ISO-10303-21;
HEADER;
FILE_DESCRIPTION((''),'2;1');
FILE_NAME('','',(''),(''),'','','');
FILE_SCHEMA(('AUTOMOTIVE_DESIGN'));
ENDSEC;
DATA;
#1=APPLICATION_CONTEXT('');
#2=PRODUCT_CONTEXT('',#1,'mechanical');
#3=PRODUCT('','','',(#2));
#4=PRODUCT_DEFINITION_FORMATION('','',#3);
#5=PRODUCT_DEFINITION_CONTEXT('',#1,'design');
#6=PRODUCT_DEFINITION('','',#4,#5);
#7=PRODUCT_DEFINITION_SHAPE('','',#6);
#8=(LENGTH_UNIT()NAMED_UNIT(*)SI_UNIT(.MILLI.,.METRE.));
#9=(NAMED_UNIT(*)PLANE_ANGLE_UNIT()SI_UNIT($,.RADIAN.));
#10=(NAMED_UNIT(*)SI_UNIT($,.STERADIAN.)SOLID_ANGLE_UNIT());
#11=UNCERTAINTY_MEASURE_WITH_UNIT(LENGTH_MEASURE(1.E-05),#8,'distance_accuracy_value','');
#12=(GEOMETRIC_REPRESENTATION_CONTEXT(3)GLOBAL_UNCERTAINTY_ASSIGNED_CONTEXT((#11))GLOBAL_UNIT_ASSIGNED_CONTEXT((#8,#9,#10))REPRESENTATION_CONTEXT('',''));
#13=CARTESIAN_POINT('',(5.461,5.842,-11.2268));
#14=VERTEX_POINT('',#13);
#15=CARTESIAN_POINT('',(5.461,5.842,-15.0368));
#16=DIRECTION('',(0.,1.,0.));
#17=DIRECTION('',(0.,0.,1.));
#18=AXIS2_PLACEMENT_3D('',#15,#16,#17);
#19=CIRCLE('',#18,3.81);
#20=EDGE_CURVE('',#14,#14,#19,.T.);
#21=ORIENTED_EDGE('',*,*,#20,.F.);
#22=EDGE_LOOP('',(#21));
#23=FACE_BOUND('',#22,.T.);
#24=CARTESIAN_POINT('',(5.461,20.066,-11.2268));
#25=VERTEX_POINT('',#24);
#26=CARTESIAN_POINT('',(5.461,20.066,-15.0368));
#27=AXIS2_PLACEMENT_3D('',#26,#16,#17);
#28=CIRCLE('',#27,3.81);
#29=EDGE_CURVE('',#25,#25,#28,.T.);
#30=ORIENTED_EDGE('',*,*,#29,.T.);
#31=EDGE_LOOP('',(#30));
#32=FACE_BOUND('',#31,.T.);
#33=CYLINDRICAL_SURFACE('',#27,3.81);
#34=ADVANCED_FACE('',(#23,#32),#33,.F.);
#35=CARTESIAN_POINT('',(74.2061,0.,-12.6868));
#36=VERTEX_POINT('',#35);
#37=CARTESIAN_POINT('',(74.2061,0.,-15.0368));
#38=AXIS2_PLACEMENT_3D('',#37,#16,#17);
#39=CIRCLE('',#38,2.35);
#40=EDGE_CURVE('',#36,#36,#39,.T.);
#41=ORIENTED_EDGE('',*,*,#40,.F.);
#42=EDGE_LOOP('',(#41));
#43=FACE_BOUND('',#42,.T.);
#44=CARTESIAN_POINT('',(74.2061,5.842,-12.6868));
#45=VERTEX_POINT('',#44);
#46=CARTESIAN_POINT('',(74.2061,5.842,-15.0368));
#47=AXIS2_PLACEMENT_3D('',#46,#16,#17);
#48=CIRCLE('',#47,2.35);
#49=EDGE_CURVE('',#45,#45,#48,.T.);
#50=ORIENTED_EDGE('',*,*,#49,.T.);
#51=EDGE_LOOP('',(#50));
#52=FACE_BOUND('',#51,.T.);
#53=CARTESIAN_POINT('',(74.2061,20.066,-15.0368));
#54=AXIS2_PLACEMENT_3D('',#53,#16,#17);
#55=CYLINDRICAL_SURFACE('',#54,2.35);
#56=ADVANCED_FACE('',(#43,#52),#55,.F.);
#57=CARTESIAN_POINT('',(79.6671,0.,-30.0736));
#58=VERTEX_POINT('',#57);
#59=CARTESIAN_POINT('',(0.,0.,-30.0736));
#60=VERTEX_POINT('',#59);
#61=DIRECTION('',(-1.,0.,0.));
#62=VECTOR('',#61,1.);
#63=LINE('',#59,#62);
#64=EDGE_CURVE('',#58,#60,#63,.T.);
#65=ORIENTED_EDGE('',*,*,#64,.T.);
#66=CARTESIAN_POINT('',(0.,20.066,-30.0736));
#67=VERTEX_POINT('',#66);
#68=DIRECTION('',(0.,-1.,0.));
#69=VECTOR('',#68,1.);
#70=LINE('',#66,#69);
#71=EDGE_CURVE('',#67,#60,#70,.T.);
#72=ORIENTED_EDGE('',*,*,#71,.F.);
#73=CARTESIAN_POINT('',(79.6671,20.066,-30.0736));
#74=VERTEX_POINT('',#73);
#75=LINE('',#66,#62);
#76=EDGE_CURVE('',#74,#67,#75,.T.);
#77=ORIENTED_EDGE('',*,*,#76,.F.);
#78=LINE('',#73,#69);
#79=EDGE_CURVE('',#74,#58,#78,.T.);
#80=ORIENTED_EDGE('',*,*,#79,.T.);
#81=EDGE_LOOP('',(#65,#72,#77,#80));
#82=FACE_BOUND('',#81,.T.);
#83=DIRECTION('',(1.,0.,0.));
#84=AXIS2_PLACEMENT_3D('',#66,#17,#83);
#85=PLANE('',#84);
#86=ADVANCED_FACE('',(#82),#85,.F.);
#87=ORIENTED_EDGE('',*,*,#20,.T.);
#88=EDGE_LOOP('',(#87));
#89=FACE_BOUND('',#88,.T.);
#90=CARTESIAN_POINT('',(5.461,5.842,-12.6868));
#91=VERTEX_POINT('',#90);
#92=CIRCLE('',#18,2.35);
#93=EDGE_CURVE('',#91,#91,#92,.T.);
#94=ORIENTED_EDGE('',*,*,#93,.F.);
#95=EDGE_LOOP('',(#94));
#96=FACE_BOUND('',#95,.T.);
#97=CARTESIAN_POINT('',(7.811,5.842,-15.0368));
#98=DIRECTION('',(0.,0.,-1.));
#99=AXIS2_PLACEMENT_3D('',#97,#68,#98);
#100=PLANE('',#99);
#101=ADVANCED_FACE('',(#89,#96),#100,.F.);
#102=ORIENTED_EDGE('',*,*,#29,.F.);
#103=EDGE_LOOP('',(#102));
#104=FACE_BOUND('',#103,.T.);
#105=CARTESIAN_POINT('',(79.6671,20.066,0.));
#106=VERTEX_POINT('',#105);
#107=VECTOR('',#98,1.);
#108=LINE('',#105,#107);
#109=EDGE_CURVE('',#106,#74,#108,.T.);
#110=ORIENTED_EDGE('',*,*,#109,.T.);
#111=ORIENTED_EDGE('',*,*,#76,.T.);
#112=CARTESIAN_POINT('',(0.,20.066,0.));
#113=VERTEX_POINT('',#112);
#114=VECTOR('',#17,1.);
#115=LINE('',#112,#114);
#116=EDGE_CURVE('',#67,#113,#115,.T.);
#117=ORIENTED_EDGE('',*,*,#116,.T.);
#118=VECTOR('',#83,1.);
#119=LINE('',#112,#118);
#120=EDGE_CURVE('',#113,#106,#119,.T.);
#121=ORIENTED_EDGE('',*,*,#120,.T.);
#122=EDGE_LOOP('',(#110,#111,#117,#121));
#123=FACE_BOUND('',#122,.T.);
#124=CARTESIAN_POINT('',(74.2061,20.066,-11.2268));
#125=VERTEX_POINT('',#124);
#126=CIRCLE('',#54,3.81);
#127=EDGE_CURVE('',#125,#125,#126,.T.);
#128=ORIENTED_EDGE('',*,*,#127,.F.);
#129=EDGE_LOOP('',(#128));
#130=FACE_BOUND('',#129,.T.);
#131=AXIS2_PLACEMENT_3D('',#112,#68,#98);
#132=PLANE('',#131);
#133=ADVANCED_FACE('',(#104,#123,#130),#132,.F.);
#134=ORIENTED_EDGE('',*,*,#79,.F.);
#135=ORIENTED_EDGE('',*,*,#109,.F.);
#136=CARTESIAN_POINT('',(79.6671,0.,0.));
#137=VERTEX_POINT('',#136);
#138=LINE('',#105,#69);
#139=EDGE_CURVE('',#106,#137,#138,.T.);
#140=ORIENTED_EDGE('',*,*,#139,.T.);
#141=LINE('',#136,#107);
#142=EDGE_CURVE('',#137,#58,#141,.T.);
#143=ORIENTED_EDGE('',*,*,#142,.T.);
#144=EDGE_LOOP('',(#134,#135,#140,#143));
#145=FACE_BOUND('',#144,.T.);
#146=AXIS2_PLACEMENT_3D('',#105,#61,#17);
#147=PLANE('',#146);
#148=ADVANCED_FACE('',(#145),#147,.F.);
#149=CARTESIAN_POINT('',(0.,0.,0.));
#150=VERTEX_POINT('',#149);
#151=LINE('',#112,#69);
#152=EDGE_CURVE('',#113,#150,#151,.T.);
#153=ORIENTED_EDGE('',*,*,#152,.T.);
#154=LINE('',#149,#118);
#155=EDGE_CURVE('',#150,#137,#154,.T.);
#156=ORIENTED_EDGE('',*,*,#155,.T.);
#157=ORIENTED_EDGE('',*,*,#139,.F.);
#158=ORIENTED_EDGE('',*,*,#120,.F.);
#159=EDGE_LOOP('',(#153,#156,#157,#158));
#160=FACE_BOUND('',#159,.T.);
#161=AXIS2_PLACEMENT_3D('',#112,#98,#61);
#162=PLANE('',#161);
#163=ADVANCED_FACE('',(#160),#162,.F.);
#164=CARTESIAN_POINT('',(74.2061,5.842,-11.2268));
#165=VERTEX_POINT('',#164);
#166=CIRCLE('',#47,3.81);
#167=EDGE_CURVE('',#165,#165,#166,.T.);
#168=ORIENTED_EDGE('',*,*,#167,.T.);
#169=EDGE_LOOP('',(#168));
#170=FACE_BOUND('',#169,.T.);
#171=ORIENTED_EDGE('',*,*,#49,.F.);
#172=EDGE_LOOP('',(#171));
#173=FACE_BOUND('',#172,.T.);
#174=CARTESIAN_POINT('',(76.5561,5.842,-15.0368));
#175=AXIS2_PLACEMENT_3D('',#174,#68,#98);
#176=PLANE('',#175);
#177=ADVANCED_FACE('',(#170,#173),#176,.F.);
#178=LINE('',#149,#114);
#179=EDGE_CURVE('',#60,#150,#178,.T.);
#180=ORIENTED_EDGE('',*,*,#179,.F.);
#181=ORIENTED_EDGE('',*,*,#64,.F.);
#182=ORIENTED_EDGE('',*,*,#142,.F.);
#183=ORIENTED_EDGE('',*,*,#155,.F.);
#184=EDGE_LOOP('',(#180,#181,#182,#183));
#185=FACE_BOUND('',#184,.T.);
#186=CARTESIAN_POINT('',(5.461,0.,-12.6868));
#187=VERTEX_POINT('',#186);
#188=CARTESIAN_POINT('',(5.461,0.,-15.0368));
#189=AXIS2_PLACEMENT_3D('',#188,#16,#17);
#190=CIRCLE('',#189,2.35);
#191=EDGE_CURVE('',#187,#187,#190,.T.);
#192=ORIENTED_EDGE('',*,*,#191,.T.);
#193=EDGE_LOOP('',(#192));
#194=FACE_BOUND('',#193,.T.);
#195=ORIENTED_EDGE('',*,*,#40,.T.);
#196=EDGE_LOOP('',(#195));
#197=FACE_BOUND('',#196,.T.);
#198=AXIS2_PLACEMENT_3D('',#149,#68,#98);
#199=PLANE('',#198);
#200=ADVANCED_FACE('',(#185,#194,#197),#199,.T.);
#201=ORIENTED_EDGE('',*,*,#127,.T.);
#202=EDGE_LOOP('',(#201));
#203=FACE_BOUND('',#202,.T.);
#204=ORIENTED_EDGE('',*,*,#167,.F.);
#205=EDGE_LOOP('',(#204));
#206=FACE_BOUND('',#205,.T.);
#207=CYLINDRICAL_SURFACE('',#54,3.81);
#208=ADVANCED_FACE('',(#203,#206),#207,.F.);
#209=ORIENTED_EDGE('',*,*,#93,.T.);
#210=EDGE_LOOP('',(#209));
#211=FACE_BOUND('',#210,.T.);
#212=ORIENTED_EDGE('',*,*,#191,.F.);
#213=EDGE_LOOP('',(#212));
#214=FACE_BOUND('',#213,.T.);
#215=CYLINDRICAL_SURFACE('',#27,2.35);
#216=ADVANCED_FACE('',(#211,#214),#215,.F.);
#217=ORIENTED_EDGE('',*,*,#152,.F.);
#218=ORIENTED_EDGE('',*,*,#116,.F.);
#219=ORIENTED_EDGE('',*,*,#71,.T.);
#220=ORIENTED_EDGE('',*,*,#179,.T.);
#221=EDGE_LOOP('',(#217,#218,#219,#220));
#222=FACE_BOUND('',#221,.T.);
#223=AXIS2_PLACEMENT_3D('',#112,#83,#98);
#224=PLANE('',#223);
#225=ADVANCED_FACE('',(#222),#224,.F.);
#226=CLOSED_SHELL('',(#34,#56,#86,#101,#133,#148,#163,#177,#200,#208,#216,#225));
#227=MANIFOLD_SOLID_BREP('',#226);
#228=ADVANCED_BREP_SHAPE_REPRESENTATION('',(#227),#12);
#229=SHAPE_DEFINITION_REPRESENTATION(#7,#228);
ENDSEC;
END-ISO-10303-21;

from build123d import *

# Parameters (mm, degrees)
SKETCH1_W                                           = 79.6671
SKETCH1_H                                           = 30.0736
BOSS_EXTRUDE1_DEPTH                                 = 20.066
CBORE_FOR_8_BINDING_HEAD_MACHINE_SCREW2_D           = 4.699999998
CBORE_FOR_8_BINDING_HEAD_MACHINE_SCREW2_CBORE_D     = 7.62
CBORE_FOR_8_BINDING_HEAD_MACHINE_SCREW2_CBORE_DEPTH = 14.224


with BuildPart() as part:
    # Sketch1 → Boss-Extrude1 (new body)
    with BuildSketch(Plane(origin=(0, 0, 0), x_dir=(1, 0, 0), z_dir=(0, 1, 0))):
        with Locations((39.83355, 15.0368)):
            Rectangle(SKETCH1_W, SKETCH1_H)
    extrude(amount=BOSS_EXTRUDE1_DEPTH)

    # CBORE for #8 Binding Head Machine Screw2 (through all)
    with Locations(Plane(origin=(0, 20.066, 0), x_dir=(1, 0, 0), z_dir=(0, 1, 0))):
        with Locations((5.461, 15.0368), (74.2061, 15.0368)):
            CounterBoreHole(CBORE_FOR_8_BINDING_HEAD_MACHINE_SCREW2_D / 2, CBORE_FOR_8_BINDING_HEAD_MACHINE_SCREW2_CBORE_D / 2, CBORE_FOR_8_BINDING_HEAD_MACHINE_SCREW2_CBORE_DEPTH)


solid = part.part
